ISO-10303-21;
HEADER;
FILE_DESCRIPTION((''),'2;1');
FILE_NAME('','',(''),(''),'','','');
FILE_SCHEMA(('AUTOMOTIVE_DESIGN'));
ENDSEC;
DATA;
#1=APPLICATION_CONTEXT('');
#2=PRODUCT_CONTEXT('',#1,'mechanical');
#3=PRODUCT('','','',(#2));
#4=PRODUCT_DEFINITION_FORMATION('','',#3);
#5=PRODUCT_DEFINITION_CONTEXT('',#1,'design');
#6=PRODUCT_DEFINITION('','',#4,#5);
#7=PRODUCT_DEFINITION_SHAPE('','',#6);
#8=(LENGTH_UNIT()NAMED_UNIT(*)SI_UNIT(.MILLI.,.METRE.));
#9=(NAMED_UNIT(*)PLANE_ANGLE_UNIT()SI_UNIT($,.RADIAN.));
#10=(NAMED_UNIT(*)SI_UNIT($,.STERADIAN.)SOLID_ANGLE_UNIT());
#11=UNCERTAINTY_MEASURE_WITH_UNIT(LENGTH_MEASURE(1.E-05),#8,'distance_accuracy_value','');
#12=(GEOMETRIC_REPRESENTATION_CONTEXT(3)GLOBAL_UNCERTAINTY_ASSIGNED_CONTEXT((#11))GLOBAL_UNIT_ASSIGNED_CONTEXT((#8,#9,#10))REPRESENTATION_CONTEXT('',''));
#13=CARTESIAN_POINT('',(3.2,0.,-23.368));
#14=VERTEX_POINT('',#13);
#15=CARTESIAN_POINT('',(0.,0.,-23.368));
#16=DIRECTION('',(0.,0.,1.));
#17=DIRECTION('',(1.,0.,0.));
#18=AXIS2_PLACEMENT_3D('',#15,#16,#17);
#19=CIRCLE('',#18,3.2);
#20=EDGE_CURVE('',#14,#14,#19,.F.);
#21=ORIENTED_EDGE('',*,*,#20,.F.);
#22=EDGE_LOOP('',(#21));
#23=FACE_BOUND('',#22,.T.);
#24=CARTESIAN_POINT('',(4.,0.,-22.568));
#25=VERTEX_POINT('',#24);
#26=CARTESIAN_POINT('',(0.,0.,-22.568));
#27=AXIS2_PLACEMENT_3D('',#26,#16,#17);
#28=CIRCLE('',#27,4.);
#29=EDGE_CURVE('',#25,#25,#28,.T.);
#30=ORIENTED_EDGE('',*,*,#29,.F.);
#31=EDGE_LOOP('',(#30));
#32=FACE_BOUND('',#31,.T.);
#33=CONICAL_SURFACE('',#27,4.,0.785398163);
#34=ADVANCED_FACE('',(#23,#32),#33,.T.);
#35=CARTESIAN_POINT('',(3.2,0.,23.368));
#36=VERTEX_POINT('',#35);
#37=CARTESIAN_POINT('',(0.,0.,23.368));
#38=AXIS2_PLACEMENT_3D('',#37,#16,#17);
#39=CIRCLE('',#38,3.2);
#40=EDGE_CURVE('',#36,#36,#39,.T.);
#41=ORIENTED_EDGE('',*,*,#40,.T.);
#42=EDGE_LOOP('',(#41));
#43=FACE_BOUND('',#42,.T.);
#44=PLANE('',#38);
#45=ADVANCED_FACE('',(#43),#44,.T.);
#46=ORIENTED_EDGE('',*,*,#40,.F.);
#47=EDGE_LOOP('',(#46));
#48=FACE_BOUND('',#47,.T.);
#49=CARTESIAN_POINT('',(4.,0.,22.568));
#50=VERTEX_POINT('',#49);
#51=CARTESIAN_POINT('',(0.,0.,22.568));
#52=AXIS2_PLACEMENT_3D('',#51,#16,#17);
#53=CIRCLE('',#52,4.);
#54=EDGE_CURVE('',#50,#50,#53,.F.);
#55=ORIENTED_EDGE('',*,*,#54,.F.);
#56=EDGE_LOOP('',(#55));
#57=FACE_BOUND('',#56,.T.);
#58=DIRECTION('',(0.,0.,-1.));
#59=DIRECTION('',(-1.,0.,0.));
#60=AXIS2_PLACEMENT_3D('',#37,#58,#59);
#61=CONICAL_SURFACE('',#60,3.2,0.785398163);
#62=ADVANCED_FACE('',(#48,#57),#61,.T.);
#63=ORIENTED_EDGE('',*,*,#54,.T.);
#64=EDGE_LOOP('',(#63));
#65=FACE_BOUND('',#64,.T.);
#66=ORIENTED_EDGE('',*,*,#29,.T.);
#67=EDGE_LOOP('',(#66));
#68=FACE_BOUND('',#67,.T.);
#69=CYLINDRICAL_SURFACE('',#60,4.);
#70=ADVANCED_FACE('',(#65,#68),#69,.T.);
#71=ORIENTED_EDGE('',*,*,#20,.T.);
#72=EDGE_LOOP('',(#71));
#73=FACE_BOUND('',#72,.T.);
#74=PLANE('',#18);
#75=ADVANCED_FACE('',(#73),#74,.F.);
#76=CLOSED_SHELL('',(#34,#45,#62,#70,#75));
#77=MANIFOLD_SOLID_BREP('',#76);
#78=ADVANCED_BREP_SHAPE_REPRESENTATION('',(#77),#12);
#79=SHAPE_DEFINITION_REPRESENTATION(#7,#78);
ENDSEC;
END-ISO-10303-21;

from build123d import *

# Parameters (mm, degrees)
SKETCH1_R      = 4
EXTRUDE1_DEPTH = 23.368
CHAMFER1_SIZE  = 0.8


with BuildPart() as part:
    # Sketch1 → Extrude1 (new, symmetric)
    with BuildSketch(Plane.XY):
        Circle(SKETCH1_R)
    extrude(amount=EXTRUDE1_DEPTH, both=True)

    # Chamfer1
    chamfer1_edges = [part.edges().sort_by_distance(p)[0] for p in [
        (-4, 0, -23.368),
        (-4, 0, 23.368),
    ]]
    chamfer(chamfer1_edges, length=CHAMFER1_SIZE)


solid = part.part
